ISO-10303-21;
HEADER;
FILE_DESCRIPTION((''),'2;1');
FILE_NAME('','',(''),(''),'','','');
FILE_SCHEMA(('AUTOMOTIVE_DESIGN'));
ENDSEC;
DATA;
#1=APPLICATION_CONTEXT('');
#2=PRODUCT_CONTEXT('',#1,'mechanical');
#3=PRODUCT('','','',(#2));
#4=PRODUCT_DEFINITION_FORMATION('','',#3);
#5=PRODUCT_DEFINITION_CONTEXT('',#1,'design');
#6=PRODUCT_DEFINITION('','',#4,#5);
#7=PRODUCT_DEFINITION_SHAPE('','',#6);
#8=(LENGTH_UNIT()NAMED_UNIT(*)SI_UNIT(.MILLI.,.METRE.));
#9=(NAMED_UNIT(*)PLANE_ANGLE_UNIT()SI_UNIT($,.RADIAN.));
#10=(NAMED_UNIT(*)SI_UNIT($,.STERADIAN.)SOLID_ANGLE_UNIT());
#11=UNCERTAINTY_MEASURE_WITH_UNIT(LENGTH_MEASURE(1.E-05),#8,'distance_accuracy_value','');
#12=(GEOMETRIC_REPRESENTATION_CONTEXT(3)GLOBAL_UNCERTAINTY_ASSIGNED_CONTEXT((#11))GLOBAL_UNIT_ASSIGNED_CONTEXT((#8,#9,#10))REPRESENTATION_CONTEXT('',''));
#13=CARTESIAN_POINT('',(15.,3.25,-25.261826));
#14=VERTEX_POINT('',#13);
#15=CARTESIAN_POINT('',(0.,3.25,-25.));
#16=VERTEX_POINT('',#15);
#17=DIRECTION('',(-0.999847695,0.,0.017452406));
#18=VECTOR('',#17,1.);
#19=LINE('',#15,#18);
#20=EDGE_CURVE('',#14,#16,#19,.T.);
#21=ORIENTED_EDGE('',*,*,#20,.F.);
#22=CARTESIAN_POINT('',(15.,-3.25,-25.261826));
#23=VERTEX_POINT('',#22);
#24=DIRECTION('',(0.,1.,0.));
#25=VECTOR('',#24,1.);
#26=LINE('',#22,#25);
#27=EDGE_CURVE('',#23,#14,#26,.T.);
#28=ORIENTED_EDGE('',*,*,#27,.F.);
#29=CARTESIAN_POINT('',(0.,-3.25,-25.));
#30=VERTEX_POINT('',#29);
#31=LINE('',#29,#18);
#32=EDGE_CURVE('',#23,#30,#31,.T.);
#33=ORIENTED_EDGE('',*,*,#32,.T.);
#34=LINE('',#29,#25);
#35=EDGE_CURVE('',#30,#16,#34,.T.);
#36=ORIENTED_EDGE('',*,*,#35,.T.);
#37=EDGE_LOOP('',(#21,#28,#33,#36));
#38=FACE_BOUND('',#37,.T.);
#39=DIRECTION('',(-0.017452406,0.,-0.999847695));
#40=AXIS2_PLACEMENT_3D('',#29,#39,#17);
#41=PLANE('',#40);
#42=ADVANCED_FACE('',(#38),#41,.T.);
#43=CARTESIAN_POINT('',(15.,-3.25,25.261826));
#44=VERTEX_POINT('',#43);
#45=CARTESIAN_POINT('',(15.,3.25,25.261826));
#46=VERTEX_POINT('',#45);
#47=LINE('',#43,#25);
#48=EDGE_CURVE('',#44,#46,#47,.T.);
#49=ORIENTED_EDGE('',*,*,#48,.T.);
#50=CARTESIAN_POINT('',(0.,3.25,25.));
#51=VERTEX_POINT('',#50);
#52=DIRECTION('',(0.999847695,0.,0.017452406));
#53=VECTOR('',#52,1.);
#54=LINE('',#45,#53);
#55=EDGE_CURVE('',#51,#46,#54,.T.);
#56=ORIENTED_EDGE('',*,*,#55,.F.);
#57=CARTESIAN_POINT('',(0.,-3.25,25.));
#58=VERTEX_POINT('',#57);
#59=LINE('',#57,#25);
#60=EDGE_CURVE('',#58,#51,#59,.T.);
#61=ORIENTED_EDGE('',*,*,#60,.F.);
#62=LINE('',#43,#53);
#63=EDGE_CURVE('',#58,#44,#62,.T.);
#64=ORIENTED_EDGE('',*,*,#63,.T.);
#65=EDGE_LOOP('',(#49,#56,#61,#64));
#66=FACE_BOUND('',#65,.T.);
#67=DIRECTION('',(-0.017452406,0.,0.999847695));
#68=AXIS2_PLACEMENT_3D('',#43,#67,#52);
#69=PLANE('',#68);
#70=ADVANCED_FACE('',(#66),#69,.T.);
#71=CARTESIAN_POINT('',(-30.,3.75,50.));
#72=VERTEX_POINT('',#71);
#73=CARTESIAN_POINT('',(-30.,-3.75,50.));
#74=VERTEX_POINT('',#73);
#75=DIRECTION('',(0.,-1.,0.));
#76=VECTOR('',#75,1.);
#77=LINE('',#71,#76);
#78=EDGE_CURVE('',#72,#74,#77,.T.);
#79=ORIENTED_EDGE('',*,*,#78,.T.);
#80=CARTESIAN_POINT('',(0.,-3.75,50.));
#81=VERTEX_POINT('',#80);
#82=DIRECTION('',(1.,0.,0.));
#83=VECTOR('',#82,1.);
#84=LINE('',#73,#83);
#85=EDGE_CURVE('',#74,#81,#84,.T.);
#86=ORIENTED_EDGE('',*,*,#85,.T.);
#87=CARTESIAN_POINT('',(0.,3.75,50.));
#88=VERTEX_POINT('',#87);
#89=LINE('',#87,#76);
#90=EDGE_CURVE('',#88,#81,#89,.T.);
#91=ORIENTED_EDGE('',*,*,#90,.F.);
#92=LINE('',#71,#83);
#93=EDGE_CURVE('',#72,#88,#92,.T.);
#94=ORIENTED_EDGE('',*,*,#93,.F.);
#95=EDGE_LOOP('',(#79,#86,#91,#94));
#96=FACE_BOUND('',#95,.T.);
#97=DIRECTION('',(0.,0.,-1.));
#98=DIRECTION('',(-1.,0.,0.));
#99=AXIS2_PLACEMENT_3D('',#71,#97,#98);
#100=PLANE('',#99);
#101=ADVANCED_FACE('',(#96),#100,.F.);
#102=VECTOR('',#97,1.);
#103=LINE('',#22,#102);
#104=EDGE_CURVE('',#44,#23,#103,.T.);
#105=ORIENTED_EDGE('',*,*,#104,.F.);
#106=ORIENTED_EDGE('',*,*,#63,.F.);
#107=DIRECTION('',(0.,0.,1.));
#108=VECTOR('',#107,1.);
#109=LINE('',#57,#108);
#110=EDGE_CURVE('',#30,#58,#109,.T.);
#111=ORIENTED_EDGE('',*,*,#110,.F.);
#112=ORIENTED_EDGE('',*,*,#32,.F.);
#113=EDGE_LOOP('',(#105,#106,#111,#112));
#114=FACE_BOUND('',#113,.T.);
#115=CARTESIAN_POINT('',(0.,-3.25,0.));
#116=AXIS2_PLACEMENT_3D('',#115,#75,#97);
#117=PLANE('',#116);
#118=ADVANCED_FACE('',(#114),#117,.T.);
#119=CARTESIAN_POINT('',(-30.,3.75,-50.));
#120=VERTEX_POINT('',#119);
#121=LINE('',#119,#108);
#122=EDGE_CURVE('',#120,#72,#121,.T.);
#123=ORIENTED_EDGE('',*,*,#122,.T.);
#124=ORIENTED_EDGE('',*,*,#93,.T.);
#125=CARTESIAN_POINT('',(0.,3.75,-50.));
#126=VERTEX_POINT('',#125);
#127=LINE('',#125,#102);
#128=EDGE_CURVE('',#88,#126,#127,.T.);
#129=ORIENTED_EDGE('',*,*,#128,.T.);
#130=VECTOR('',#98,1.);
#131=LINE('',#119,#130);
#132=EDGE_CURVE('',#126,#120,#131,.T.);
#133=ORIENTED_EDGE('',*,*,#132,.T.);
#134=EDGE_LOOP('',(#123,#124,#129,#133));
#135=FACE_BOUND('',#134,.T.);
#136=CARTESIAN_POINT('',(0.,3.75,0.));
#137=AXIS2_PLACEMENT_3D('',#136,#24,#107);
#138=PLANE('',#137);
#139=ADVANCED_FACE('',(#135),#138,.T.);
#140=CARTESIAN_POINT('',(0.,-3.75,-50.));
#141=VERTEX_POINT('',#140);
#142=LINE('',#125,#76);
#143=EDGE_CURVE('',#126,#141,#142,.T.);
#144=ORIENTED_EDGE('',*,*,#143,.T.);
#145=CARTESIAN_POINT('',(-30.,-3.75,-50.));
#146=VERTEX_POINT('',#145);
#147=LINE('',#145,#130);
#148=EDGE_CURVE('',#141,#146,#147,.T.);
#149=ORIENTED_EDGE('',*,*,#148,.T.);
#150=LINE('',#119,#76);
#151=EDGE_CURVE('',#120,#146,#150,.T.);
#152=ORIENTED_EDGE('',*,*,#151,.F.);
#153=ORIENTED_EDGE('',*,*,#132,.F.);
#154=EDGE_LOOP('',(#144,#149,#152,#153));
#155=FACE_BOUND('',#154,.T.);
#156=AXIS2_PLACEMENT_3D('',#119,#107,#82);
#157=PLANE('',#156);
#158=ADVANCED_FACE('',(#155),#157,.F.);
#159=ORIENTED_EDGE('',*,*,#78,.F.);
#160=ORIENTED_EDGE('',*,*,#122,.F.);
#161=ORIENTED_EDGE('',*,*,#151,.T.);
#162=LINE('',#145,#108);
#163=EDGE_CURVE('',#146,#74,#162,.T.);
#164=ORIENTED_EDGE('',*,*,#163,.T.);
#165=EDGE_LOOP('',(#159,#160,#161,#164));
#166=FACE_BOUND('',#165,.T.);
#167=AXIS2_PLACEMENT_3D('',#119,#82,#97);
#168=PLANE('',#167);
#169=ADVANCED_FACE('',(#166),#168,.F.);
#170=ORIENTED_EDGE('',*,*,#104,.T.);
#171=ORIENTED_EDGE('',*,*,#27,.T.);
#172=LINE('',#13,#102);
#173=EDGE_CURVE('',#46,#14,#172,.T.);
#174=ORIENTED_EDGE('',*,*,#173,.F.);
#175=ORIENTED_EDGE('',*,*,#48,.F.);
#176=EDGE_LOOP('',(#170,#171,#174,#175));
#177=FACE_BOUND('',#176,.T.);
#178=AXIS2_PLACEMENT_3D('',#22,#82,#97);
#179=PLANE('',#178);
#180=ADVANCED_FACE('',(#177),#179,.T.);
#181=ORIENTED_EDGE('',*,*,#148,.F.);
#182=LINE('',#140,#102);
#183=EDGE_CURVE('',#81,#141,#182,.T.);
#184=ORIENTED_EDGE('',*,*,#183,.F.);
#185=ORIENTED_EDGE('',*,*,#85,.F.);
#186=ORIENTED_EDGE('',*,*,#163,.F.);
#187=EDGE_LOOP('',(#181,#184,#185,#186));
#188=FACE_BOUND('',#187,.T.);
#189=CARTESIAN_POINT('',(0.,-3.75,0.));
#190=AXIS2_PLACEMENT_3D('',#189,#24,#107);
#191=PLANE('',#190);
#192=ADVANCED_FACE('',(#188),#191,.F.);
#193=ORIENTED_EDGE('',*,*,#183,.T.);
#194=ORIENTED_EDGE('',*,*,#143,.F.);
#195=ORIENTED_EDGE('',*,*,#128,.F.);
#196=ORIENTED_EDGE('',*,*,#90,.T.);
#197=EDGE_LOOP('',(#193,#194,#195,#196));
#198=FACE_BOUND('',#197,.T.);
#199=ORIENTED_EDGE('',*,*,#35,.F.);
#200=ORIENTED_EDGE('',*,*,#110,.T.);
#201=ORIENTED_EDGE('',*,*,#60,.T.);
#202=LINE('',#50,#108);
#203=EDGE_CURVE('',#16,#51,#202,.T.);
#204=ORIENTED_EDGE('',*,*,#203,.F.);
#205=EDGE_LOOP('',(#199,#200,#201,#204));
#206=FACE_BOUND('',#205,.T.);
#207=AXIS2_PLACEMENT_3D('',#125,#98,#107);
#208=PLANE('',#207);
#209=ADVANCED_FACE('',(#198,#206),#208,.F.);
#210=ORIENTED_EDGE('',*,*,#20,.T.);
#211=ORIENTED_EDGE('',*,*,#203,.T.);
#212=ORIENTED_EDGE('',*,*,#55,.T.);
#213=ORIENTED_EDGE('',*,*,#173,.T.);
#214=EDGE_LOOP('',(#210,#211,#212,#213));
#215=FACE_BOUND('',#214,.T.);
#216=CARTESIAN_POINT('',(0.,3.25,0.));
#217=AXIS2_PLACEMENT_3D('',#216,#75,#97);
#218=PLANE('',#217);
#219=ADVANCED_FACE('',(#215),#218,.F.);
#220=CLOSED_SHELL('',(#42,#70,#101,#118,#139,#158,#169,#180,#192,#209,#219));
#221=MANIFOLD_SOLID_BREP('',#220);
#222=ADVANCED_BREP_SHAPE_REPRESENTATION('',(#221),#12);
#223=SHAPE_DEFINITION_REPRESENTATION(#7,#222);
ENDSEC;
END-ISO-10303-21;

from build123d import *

# Parameters (mm, degrees)
SKETCH1_W           = 30
SKETCH1_H           = 100
BOSS_EXTRUDE1_DEPTH = 3.75
BOSS_EXTRUDE2_START = -0.5
BOSS_EXTRUDE2_DEPTH = 6.5


with BuildPart() as part:
    # Sketch1 → Boss-Extrude1 (new, symmetric)
    with BuildSketch(Plane(origin=(0, 0, 0), x_dir=(1, 0, 0), z_dir=(0, 1, 0))):
        with Locations((-15, 0)):
            Rectangle(SKETCH1_W, SKETCH1_H)
    extrude(amount=BOSS_EXTRUDE1_DEPTH, both=True)

    # Sketch2 → Boss-Extrude2 (add)
    with BuildSketch(Plane(origin=(0, 3.75, 0), x_dir=(1, 0, 0), z_dir=(0, 1, 0)).offset(BOSS_EXTRUDE2_START)):
        Polygon((0, 25), (15, 25.261825974), (15, -25.261825974), (0, -25), align=None)
    extrude(amount=-BOSS_EXTRUDE2_DEPTH)


solid = part.part
